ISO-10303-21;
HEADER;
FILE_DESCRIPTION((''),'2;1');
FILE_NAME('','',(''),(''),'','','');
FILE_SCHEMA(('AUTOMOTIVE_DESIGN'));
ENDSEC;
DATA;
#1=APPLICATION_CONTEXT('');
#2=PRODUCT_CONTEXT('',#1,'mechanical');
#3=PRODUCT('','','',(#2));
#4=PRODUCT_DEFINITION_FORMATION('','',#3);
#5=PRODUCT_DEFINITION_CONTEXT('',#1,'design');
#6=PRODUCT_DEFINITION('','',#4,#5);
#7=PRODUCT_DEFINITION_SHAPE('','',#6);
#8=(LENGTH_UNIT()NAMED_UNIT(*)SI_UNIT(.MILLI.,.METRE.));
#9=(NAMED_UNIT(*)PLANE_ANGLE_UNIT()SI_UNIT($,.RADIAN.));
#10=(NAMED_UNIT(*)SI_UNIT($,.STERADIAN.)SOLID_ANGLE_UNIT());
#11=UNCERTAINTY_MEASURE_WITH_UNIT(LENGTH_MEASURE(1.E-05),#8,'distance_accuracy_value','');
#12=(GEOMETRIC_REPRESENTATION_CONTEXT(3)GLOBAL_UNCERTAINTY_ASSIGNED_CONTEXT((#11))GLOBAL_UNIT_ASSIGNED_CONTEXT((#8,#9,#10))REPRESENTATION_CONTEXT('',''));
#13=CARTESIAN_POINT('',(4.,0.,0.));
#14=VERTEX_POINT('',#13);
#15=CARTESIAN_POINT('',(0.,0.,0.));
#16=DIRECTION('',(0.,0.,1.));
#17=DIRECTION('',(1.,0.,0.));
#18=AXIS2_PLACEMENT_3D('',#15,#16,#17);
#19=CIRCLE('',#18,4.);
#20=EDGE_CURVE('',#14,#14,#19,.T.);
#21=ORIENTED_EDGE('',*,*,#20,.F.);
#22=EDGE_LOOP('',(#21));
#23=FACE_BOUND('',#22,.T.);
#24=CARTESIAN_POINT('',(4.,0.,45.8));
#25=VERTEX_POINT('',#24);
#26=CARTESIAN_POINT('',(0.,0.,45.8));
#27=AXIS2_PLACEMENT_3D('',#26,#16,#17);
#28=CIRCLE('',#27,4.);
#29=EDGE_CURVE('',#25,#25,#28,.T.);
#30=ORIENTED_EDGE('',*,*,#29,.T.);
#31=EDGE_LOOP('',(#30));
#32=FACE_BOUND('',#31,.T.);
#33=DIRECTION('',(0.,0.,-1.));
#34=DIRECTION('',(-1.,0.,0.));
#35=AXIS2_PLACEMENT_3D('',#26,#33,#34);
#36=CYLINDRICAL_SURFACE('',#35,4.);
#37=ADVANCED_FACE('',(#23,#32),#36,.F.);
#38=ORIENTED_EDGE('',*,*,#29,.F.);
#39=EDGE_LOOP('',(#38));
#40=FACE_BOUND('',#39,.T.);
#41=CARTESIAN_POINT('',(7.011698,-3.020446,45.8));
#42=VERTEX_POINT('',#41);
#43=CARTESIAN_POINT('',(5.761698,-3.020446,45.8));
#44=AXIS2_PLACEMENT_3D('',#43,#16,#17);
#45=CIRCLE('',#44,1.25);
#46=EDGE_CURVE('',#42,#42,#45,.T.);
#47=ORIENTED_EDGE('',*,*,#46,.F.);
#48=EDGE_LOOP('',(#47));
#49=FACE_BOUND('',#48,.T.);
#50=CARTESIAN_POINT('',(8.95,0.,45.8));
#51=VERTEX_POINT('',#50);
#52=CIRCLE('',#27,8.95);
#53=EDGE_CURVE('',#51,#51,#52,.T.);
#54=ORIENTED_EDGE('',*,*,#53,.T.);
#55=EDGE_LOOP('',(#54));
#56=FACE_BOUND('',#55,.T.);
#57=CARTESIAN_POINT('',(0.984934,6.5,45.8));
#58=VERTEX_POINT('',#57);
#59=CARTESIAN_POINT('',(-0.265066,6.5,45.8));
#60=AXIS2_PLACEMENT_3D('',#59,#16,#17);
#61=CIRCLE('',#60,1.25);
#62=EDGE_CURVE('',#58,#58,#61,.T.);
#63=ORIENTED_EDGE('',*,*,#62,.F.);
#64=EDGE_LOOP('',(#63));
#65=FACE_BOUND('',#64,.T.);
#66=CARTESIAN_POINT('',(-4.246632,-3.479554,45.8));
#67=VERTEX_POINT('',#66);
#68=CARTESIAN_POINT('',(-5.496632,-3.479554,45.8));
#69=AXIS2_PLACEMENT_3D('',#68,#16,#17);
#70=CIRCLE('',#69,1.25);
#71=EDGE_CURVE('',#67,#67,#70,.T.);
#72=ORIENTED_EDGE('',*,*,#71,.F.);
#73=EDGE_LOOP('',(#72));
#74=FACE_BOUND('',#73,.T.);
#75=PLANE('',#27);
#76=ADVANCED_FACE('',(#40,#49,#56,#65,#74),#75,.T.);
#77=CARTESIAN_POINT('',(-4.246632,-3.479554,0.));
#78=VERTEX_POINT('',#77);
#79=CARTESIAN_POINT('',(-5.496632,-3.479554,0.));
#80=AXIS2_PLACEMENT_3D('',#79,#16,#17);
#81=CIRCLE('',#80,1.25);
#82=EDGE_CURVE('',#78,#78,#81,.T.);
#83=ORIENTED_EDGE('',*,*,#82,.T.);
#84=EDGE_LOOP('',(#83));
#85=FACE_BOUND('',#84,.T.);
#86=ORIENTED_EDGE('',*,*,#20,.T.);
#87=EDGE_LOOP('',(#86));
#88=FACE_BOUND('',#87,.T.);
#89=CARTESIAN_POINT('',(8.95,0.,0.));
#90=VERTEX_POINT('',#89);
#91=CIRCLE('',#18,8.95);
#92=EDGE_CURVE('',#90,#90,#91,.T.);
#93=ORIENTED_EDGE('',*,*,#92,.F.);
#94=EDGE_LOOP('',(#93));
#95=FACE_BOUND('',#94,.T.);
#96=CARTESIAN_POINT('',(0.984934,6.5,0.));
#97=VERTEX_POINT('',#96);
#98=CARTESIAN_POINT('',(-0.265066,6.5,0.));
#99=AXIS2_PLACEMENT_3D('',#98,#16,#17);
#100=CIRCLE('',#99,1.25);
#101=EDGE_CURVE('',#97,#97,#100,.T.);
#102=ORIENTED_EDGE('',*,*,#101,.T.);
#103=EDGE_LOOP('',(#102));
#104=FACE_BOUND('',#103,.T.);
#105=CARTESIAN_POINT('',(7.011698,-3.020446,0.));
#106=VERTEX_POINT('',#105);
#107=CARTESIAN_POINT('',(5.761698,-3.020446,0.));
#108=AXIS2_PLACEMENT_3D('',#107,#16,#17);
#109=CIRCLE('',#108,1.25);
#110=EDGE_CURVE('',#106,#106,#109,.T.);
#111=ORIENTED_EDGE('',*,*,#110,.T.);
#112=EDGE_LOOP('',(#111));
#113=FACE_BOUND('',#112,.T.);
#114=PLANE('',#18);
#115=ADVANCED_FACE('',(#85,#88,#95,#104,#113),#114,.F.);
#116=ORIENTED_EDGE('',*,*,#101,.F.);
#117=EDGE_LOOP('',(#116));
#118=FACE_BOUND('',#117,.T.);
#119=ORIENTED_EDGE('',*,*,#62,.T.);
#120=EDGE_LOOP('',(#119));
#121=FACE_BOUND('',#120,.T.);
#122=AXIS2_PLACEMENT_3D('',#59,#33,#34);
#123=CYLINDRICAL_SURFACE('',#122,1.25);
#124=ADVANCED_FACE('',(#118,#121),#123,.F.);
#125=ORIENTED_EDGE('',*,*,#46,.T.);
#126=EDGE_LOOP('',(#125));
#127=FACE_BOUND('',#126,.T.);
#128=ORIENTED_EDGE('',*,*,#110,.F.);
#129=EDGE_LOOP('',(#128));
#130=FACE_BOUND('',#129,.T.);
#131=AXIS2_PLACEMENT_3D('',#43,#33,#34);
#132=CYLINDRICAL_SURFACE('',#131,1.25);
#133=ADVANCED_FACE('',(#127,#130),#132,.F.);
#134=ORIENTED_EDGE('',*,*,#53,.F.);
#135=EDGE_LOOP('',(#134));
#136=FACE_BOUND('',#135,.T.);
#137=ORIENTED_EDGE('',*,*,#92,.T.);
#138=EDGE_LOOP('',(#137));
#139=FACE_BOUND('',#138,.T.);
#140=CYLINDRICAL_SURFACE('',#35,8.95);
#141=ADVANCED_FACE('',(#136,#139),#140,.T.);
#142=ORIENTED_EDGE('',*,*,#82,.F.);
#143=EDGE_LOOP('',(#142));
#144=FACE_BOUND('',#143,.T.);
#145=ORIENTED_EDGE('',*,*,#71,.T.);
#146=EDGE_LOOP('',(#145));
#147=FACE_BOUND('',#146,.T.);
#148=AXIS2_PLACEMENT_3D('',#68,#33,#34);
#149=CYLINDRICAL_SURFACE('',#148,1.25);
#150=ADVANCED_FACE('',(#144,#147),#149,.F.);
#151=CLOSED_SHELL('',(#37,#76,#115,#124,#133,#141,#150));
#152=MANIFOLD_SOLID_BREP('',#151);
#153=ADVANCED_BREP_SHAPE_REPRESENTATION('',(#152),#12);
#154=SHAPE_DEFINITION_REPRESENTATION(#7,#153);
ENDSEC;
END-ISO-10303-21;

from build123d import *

# Parameters (mm, degrees)
SKETCH1_R           = 8.95
SKETCH1_R_2         = 1.25
SKETCH1_R_3         = 4
BOSS_EXTRUDE1_DEPTH = 45.8


with BuildPart() as part:
    # Sketch1 → Boss-Extrude1 (new body)
    with BuildSketch(Plane.XY):
        Circle(SKETCH1_R)
        with Locations((-0.265065705, 6.5)):
            Circle(SKETCH1_R_2, mode=Mode.SUBTRACT)
        with Locations((-5.496632272, -3.479553634)):
            Circle(SKETCH1_R_2, mode=Mode.SUBTRACT)
        with Locations((5.761697977, -3.020446366)):
            Circle(SKETCH1_R_2, mode=Mode.SUBTRACT)
        Circle(SKETCH1_R_3, mode=Mode.SUBTRACT)
    extrude(amount=BOSS_EXTRUDE1_DEPTH)


solid = part.part
